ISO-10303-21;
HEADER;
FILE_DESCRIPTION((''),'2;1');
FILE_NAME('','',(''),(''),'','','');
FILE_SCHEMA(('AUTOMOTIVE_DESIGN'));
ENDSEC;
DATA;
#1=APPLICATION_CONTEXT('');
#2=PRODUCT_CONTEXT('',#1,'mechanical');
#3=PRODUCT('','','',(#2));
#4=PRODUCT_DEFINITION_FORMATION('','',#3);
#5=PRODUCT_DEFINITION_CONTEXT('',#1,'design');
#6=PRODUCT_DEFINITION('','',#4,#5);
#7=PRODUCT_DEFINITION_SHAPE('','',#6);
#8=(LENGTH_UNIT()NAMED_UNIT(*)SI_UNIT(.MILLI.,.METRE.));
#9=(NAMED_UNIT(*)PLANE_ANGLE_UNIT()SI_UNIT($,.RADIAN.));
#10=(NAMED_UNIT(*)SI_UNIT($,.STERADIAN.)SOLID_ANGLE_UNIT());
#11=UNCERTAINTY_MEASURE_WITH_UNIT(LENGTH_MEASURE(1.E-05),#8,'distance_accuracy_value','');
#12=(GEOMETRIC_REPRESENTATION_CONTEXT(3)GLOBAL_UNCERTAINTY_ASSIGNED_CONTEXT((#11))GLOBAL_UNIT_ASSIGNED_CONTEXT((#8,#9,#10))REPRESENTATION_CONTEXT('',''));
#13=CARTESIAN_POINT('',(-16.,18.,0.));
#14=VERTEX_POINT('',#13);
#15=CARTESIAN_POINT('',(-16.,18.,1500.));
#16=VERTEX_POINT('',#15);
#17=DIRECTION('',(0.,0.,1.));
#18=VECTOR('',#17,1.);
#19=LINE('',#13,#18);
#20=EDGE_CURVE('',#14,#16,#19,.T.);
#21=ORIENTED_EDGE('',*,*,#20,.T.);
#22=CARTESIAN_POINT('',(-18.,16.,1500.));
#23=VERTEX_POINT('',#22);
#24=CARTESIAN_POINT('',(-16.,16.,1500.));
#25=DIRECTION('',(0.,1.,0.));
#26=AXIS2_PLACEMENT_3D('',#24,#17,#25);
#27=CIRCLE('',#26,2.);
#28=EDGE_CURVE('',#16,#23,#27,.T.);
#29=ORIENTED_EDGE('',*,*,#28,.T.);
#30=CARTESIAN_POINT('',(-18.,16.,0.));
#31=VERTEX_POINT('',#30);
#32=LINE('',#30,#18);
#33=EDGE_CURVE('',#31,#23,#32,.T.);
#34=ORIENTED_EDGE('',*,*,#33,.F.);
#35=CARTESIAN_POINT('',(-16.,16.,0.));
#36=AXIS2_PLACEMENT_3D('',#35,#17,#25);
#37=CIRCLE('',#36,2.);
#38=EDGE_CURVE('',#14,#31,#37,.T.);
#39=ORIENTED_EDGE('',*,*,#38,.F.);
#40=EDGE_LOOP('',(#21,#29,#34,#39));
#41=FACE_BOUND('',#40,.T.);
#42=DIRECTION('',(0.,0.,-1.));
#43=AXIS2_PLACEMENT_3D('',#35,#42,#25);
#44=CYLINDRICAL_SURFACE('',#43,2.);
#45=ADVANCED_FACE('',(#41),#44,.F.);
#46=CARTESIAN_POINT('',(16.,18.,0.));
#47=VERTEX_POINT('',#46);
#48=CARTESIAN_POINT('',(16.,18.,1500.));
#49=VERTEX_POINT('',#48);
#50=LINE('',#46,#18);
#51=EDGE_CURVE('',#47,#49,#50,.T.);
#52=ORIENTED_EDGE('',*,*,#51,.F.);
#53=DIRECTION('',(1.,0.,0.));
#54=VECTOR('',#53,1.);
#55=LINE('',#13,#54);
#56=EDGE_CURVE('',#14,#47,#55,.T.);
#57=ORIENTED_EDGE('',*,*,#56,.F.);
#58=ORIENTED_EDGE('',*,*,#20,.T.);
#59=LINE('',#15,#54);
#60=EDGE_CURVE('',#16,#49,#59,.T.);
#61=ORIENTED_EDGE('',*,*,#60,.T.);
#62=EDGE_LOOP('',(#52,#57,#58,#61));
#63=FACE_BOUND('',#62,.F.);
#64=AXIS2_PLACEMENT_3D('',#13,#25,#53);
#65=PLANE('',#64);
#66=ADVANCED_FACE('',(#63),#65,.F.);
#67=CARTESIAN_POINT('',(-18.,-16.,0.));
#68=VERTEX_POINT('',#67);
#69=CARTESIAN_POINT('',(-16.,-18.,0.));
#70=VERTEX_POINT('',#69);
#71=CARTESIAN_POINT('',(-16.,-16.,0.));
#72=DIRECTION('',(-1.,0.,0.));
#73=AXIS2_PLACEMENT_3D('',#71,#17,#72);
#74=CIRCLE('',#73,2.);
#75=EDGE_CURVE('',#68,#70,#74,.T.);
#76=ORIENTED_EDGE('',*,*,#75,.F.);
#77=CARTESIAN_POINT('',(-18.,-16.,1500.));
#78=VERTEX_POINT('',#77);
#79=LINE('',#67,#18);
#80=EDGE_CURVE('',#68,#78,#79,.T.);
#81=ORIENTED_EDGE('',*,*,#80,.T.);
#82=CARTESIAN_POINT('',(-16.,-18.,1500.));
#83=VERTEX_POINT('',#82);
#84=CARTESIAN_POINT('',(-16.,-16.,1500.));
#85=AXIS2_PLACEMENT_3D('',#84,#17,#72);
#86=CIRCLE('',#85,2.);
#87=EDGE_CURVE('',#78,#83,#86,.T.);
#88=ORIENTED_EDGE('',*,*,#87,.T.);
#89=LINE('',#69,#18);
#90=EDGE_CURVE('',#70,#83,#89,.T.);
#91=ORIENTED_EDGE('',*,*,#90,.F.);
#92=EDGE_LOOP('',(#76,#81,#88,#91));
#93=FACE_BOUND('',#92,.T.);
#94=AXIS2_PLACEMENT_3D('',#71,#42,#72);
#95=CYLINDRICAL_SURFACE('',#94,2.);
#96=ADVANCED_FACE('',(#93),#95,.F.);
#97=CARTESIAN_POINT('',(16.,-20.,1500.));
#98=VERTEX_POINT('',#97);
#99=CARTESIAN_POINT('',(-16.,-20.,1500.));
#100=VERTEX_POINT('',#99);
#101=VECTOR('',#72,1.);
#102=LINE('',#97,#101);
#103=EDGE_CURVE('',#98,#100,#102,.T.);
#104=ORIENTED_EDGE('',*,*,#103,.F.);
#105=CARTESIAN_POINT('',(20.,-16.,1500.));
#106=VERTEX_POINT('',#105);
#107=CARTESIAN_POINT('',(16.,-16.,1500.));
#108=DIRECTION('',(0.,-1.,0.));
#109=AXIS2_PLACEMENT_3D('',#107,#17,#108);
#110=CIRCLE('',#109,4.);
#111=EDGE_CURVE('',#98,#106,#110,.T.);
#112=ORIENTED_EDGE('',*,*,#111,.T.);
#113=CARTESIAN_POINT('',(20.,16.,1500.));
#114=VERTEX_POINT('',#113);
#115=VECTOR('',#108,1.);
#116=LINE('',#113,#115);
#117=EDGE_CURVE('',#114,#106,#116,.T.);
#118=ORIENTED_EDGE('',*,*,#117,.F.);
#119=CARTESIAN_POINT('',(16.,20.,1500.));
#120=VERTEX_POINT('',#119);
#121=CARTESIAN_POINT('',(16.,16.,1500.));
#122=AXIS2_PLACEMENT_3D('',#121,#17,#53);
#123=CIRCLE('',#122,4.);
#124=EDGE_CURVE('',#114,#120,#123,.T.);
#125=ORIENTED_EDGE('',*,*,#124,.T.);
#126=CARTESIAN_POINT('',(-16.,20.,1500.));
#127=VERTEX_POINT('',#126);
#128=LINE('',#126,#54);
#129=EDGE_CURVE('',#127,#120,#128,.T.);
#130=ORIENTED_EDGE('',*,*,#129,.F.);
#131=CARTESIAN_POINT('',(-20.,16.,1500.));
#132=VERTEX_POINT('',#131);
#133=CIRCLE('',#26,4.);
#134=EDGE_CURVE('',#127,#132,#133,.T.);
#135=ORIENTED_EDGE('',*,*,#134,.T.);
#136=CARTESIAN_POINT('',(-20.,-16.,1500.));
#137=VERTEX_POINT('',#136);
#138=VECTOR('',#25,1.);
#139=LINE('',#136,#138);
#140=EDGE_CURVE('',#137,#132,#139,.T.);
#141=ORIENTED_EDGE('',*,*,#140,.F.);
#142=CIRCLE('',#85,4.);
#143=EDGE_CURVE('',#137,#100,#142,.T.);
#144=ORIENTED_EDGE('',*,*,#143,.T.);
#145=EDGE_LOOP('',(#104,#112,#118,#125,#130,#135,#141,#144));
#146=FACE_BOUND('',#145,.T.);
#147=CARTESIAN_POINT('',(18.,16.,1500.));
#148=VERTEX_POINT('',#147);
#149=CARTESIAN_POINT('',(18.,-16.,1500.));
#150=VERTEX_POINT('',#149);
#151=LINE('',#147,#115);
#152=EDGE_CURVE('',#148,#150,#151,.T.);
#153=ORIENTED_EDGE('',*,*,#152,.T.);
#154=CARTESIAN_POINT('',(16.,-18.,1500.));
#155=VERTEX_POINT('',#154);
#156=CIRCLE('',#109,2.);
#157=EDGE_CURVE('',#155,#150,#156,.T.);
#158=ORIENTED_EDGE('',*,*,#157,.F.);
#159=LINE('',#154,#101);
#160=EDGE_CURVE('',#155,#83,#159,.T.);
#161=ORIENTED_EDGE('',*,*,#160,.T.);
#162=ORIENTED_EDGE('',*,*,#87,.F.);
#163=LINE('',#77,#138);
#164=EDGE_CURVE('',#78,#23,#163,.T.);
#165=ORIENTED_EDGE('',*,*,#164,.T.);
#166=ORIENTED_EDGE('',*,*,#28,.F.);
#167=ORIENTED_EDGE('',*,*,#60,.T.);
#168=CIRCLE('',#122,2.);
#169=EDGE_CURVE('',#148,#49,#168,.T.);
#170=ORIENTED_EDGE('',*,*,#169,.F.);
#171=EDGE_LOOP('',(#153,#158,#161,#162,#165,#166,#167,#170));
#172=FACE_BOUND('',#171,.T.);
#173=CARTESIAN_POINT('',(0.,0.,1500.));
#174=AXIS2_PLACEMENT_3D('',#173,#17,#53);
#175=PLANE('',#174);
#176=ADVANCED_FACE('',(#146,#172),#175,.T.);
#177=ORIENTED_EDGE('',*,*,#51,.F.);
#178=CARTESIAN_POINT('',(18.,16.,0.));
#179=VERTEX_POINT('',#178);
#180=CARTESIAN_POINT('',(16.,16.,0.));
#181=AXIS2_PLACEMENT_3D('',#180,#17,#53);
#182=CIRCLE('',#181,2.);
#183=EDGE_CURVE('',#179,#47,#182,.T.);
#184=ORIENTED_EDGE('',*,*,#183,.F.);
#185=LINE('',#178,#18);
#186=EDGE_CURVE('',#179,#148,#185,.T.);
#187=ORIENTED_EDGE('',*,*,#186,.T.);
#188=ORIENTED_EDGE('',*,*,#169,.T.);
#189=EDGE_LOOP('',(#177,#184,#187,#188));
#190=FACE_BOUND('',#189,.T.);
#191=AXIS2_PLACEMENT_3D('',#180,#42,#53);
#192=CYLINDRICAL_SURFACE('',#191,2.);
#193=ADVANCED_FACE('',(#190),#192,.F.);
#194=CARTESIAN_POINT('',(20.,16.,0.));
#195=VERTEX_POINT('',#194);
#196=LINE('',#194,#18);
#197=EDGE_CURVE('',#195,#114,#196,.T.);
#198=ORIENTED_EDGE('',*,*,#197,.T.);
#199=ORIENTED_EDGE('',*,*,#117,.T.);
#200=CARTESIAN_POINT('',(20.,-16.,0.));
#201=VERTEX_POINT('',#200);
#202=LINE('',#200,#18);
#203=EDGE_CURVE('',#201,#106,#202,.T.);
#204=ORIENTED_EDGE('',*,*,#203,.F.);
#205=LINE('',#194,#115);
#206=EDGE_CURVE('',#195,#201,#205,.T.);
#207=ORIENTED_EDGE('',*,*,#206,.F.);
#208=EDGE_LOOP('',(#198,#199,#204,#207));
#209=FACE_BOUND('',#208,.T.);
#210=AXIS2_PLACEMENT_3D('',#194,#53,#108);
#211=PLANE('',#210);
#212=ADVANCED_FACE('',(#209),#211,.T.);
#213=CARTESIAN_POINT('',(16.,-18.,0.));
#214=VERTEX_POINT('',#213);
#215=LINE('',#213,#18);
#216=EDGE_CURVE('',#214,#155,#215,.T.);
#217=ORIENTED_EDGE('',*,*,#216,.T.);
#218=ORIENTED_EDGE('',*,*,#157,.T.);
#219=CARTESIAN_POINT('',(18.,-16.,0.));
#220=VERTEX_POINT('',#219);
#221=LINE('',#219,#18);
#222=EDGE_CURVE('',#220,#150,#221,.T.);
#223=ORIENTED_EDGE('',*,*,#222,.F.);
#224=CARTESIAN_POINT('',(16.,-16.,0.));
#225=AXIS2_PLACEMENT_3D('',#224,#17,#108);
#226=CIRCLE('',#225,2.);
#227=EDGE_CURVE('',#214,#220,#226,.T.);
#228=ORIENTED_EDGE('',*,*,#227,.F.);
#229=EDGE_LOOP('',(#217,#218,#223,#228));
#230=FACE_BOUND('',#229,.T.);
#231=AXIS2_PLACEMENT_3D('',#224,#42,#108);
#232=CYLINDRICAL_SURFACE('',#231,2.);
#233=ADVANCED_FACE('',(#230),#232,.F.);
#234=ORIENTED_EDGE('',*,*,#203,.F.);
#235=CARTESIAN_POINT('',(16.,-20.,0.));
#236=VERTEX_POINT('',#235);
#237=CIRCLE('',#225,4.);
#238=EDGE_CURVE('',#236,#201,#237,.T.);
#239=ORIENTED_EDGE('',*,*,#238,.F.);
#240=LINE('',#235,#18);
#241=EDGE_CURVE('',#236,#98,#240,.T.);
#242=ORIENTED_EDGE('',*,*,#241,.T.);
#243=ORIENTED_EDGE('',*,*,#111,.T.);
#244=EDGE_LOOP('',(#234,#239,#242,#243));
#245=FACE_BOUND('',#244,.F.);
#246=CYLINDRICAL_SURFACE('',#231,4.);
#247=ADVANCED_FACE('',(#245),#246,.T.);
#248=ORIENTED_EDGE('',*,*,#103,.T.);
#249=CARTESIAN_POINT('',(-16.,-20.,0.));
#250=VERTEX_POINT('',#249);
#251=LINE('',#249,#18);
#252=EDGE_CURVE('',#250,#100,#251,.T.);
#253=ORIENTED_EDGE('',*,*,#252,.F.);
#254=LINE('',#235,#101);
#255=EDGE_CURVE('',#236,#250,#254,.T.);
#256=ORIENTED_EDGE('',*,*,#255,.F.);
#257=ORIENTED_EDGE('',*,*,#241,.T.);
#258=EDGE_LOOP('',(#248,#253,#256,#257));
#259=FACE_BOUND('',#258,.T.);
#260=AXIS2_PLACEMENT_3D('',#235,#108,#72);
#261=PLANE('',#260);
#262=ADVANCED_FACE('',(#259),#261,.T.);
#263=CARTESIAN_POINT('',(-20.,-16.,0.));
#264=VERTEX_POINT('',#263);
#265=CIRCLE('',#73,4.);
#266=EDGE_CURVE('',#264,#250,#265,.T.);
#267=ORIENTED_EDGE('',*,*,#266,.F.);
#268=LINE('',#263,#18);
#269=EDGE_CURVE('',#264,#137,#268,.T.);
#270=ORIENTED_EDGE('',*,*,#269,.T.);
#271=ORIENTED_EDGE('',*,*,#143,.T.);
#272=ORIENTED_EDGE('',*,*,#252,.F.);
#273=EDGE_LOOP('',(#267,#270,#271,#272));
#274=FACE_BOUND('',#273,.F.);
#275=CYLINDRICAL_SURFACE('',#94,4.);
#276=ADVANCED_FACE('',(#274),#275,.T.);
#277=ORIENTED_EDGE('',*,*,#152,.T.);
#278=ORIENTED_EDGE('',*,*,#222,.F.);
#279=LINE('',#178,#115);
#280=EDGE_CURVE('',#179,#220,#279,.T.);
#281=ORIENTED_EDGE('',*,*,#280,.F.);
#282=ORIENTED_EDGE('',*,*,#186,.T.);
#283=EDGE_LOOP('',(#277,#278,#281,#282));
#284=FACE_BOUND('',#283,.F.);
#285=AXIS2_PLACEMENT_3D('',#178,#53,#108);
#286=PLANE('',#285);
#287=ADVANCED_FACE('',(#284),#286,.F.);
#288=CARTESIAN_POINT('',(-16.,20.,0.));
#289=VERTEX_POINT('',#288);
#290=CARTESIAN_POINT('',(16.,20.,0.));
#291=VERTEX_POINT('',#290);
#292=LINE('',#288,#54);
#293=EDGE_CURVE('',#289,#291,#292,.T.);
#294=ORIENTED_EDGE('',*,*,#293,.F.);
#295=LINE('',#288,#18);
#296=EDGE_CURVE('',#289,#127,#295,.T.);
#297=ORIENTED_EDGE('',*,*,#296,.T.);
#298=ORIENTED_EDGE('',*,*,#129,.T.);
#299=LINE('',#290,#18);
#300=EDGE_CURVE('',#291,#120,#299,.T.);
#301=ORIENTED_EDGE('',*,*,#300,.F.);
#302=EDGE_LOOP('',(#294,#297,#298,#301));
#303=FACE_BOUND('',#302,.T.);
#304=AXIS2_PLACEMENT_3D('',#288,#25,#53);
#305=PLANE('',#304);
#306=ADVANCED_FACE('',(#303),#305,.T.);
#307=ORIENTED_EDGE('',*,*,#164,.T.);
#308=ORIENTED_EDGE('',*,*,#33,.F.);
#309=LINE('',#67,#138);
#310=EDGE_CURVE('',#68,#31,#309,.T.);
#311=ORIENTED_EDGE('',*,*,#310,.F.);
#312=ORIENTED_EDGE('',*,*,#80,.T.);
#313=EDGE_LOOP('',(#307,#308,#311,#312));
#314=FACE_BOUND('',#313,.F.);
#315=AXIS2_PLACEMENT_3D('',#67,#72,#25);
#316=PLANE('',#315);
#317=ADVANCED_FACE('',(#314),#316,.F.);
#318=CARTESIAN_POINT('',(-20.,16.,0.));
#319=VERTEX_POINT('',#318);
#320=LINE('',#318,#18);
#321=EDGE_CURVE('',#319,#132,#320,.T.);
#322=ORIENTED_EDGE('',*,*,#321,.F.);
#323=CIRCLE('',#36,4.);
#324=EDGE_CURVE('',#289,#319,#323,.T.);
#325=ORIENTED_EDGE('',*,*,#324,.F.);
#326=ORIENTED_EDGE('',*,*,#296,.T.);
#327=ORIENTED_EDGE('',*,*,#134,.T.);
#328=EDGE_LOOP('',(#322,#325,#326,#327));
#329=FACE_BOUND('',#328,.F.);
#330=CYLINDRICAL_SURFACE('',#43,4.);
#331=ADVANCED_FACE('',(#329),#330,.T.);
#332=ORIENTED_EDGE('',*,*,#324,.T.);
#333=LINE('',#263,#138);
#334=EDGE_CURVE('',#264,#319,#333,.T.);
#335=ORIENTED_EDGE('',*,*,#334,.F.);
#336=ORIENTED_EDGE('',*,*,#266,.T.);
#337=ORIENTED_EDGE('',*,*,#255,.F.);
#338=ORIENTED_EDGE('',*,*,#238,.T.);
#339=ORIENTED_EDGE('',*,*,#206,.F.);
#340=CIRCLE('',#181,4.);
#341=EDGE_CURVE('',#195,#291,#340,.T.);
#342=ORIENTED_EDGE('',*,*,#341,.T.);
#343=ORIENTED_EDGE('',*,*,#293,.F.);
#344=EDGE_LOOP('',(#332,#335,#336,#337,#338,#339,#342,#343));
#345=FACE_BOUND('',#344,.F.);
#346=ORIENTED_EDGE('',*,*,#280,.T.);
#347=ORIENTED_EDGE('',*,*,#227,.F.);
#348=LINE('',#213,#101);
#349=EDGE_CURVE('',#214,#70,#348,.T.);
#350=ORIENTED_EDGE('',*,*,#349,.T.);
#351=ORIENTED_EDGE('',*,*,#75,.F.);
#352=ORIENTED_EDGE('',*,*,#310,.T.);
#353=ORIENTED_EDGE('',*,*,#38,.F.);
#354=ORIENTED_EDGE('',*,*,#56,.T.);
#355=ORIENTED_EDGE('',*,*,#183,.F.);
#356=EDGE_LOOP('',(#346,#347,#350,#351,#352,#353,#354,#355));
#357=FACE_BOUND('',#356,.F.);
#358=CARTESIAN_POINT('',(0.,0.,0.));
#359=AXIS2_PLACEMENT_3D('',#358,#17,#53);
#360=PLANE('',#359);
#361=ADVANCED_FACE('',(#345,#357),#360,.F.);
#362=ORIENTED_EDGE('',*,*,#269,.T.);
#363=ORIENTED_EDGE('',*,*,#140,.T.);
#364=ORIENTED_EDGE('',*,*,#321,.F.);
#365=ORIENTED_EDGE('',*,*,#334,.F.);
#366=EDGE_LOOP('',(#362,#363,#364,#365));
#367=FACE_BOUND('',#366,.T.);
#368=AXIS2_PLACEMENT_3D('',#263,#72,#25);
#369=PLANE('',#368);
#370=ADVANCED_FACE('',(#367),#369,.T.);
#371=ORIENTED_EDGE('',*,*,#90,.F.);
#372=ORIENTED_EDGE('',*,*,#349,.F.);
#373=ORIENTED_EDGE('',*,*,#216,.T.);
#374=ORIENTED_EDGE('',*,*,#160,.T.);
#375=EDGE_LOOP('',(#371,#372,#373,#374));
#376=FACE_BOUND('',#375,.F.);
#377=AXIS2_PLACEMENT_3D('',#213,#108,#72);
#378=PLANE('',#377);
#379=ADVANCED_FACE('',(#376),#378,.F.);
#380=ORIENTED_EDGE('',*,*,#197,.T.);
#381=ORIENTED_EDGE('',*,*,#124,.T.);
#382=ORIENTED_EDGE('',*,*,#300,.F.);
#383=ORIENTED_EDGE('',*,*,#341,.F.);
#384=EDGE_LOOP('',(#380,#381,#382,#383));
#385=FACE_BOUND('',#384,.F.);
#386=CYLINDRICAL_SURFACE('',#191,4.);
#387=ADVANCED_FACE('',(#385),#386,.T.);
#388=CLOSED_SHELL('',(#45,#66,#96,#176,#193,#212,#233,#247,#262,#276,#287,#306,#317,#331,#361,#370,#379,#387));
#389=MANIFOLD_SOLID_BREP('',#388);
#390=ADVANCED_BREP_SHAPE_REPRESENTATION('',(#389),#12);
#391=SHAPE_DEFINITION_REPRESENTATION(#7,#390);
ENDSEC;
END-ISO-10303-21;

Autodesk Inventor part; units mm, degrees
ref_plane "YZ Plane" through (0, 0, 0) normal (1, 0, 0) x (0, 1, 0)
ref_plane "Start Plane" through (0, 0, 0) normal (0, 0, 1) x (1, 0, 0)
ref_plane "End Plane" through (0, 0, 1500) normal (0, 0, 1) x (1, 0, 0)
sketch "Sketch" plane through (0, 0, 0) normal (0, 0, 1) x (1, 0, 0)
  line L0 (-20, -16) -> (-20, 16)
  line L1 (-16, 20) -> (16, 20)
  line L2 (20, 16) -> (20, -16)
  line L3 (16, -20) -> (-16, -20)
  arc A0 (-20, -16) -> (-16, -20) centre (-16, -16) ccw
  arc A1 (20, 16) -> (16, 20) centre (16, 16) ccw
  arc A2 (-16, 20) -> (-20, 16) centre (-16, 16) ccw
  arc A3 (16, -20) -> (20, -16) centre (16, -16) ccw
  arc A4 (-16, 18) -> (-18, 16) centre (-16, 16) ccw
  line L4 (-16, 18) -> (16, 18)
  arc A5 (18, 16) -> (16, 18) centre (16, 16) ccw
  line L5 (18, 16) -> (18, -16)
  arc A6 (16, -18) -> (18, -16) centre (16, -16) ccw
  line L6 (16, -18) -> (-16, -18)
  arc A7 (-18, -16) -> (-16, -18) centre (-16, -16) ccw
  line L7 (-18, -16) -> (-18, 16)
  line L8 (0, 29.1598) -> (0, -29.1598) construction
  line L9 (-29.1598, 0) -> (29.1598, 0) construction
  dimension "d7" = 4
  dimension "d9" = 40
  dimension "d11" = 40
  dimension "d12" = 2
  dimension "d15" = 20
  dimension "d16" = 20
extrude "Body" add sketch "Sketch" along normal up to surface (1500 mm away) from surface at 0
sketch "Sketch3" plane through (0, 0, 0) normal (0, 0, 1) x (1, 0, 0)
  line L0 (0, 0) -> (10, 0)
ref_plane "Work Plane3" through (0, 0, 0) normal (0, -1, 0) x (1, 0, 0)
sketch "Sketch4" plane through (0, 0, 0) normal (0, -1, 0) x (1, 0, 0)
  line L0 (-2, 0) -> (12, 0) projected
  line L1 (-2, 1500) -> (12, 1500) projected
  dimension "d18" = 1500
equation "\"d7\" = G_IR"
equation "\"d9\" = G_W"
equation "\"d11\" = G_H"
equation "\"d12\" = G_T"
equation "\"d15\" = 0.5 * d9"
equation "\"d16\" = 0.5 * d11"
equation "\"d3\" = G_L"
equation "\"G_W\" = 40"
equation "\"G_H\" = 40"
equation "\"G_T\" = 2"
equation "\"G_IR\" = 4"
equation "\"G_L\" = d18"
equation "\"G_OFFSET_START\" = 0"
equation "\"G_OFFSET_END\" = 0"
properties part number "ISO 10799-2 - 40x40x2 - 1500" material "Stainless Steel"
